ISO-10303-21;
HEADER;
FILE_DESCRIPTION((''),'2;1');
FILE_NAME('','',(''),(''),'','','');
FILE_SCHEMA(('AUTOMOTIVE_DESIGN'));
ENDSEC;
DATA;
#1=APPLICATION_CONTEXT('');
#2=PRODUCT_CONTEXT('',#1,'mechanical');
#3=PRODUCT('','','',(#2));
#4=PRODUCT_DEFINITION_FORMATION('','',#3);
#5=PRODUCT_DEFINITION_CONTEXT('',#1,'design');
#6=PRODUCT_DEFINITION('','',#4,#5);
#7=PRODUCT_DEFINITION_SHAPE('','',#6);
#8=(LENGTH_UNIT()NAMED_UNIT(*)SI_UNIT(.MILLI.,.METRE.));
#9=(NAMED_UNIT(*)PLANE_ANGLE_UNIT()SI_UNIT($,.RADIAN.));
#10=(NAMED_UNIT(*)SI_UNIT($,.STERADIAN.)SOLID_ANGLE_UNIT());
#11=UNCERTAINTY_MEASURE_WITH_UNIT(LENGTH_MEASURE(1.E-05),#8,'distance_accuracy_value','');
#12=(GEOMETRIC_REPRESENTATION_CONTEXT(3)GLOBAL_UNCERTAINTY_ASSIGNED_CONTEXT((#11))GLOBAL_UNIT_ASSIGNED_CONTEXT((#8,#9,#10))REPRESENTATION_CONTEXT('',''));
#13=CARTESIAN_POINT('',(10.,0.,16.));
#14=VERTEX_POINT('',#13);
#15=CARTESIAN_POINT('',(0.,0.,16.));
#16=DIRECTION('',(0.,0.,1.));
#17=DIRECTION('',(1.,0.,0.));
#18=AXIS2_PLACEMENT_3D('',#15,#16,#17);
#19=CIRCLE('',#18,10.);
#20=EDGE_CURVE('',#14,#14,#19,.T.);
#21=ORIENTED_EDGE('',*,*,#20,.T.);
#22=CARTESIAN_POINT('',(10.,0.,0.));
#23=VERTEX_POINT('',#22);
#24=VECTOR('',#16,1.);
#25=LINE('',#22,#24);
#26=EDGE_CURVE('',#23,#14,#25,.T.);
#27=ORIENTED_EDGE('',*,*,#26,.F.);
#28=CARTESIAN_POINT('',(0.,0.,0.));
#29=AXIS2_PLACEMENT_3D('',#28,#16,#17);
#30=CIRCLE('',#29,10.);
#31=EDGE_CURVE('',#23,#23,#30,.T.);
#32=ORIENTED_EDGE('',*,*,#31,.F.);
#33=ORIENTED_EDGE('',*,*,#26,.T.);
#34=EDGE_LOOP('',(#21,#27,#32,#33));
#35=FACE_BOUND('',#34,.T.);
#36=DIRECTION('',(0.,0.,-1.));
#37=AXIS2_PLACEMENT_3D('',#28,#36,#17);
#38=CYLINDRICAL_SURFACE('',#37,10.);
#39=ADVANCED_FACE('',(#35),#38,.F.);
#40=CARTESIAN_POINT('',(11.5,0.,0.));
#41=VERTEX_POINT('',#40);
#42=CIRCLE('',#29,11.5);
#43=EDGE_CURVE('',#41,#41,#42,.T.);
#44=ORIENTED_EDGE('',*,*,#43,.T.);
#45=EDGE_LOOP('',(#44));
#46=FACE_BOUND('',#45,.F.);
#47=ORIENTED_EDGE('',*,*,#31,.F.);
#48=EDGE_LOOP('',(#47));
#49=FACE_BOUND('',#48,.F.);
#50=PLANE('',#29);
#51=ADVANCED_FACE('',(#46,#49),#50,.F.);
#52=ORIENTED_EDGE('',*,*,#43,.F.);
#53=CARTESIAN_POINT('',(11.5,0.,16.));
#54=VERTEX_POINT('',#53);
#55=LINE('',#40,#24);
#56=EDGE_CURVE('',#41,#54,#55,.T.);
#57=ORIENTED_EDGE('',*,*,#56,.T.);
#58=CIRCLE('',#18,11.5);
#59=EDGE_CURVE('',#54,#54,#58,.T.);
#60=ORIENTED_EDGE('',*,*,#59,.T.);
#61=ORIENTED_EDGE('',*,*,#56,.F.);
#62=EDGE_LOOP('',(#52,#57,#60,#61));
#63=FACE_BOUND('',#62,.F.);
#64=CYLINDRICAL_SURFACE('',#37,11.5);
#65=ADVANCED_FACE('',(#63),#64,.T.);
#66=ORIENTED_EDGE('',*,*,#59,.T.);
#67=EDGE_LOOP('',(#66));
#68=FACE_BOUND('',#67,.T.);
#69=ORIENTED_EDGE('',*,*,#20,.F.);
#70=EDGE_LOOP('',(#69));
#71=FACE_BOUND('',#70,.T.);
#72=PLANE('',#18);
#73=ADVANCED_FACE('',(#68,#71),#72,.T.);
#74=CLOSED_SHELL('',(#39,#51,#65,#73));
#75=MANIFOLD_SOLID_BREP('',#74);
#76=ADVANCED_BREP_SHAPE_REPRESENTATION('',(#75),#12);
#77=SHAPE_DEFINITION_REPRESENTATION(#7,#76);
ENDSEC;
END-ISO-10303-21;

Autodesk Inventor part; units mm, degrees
ref_plane "YZ Plane" through (0, 0, 0) normal (1, 0, 0) x (0, 1, 0)
ref_plane "XZ Plane" through (0, 0, 0) normal (0, 1, 0) x (-1, 0, 0)
ref_plane "XY Plane" through (0, 0, 0) normal (0, 0, 1) x (1, 0, 0)
sketch "スケッチ1" plane through (0, 0, 0) normal (0, 0, 1) x (1, 0, 0)
  circle A0 centre (0, 0) radius 10
  circle A1 centre (0, 0) radius 11.5
  dimension "d1" = 20
  dimension "d2" = 23
extrude "押し出し1" add sketch "スケッチ1" along normal blind 16
properties part number "オイレス　内径20 L=16" material "アセタール樹脂、黒"
